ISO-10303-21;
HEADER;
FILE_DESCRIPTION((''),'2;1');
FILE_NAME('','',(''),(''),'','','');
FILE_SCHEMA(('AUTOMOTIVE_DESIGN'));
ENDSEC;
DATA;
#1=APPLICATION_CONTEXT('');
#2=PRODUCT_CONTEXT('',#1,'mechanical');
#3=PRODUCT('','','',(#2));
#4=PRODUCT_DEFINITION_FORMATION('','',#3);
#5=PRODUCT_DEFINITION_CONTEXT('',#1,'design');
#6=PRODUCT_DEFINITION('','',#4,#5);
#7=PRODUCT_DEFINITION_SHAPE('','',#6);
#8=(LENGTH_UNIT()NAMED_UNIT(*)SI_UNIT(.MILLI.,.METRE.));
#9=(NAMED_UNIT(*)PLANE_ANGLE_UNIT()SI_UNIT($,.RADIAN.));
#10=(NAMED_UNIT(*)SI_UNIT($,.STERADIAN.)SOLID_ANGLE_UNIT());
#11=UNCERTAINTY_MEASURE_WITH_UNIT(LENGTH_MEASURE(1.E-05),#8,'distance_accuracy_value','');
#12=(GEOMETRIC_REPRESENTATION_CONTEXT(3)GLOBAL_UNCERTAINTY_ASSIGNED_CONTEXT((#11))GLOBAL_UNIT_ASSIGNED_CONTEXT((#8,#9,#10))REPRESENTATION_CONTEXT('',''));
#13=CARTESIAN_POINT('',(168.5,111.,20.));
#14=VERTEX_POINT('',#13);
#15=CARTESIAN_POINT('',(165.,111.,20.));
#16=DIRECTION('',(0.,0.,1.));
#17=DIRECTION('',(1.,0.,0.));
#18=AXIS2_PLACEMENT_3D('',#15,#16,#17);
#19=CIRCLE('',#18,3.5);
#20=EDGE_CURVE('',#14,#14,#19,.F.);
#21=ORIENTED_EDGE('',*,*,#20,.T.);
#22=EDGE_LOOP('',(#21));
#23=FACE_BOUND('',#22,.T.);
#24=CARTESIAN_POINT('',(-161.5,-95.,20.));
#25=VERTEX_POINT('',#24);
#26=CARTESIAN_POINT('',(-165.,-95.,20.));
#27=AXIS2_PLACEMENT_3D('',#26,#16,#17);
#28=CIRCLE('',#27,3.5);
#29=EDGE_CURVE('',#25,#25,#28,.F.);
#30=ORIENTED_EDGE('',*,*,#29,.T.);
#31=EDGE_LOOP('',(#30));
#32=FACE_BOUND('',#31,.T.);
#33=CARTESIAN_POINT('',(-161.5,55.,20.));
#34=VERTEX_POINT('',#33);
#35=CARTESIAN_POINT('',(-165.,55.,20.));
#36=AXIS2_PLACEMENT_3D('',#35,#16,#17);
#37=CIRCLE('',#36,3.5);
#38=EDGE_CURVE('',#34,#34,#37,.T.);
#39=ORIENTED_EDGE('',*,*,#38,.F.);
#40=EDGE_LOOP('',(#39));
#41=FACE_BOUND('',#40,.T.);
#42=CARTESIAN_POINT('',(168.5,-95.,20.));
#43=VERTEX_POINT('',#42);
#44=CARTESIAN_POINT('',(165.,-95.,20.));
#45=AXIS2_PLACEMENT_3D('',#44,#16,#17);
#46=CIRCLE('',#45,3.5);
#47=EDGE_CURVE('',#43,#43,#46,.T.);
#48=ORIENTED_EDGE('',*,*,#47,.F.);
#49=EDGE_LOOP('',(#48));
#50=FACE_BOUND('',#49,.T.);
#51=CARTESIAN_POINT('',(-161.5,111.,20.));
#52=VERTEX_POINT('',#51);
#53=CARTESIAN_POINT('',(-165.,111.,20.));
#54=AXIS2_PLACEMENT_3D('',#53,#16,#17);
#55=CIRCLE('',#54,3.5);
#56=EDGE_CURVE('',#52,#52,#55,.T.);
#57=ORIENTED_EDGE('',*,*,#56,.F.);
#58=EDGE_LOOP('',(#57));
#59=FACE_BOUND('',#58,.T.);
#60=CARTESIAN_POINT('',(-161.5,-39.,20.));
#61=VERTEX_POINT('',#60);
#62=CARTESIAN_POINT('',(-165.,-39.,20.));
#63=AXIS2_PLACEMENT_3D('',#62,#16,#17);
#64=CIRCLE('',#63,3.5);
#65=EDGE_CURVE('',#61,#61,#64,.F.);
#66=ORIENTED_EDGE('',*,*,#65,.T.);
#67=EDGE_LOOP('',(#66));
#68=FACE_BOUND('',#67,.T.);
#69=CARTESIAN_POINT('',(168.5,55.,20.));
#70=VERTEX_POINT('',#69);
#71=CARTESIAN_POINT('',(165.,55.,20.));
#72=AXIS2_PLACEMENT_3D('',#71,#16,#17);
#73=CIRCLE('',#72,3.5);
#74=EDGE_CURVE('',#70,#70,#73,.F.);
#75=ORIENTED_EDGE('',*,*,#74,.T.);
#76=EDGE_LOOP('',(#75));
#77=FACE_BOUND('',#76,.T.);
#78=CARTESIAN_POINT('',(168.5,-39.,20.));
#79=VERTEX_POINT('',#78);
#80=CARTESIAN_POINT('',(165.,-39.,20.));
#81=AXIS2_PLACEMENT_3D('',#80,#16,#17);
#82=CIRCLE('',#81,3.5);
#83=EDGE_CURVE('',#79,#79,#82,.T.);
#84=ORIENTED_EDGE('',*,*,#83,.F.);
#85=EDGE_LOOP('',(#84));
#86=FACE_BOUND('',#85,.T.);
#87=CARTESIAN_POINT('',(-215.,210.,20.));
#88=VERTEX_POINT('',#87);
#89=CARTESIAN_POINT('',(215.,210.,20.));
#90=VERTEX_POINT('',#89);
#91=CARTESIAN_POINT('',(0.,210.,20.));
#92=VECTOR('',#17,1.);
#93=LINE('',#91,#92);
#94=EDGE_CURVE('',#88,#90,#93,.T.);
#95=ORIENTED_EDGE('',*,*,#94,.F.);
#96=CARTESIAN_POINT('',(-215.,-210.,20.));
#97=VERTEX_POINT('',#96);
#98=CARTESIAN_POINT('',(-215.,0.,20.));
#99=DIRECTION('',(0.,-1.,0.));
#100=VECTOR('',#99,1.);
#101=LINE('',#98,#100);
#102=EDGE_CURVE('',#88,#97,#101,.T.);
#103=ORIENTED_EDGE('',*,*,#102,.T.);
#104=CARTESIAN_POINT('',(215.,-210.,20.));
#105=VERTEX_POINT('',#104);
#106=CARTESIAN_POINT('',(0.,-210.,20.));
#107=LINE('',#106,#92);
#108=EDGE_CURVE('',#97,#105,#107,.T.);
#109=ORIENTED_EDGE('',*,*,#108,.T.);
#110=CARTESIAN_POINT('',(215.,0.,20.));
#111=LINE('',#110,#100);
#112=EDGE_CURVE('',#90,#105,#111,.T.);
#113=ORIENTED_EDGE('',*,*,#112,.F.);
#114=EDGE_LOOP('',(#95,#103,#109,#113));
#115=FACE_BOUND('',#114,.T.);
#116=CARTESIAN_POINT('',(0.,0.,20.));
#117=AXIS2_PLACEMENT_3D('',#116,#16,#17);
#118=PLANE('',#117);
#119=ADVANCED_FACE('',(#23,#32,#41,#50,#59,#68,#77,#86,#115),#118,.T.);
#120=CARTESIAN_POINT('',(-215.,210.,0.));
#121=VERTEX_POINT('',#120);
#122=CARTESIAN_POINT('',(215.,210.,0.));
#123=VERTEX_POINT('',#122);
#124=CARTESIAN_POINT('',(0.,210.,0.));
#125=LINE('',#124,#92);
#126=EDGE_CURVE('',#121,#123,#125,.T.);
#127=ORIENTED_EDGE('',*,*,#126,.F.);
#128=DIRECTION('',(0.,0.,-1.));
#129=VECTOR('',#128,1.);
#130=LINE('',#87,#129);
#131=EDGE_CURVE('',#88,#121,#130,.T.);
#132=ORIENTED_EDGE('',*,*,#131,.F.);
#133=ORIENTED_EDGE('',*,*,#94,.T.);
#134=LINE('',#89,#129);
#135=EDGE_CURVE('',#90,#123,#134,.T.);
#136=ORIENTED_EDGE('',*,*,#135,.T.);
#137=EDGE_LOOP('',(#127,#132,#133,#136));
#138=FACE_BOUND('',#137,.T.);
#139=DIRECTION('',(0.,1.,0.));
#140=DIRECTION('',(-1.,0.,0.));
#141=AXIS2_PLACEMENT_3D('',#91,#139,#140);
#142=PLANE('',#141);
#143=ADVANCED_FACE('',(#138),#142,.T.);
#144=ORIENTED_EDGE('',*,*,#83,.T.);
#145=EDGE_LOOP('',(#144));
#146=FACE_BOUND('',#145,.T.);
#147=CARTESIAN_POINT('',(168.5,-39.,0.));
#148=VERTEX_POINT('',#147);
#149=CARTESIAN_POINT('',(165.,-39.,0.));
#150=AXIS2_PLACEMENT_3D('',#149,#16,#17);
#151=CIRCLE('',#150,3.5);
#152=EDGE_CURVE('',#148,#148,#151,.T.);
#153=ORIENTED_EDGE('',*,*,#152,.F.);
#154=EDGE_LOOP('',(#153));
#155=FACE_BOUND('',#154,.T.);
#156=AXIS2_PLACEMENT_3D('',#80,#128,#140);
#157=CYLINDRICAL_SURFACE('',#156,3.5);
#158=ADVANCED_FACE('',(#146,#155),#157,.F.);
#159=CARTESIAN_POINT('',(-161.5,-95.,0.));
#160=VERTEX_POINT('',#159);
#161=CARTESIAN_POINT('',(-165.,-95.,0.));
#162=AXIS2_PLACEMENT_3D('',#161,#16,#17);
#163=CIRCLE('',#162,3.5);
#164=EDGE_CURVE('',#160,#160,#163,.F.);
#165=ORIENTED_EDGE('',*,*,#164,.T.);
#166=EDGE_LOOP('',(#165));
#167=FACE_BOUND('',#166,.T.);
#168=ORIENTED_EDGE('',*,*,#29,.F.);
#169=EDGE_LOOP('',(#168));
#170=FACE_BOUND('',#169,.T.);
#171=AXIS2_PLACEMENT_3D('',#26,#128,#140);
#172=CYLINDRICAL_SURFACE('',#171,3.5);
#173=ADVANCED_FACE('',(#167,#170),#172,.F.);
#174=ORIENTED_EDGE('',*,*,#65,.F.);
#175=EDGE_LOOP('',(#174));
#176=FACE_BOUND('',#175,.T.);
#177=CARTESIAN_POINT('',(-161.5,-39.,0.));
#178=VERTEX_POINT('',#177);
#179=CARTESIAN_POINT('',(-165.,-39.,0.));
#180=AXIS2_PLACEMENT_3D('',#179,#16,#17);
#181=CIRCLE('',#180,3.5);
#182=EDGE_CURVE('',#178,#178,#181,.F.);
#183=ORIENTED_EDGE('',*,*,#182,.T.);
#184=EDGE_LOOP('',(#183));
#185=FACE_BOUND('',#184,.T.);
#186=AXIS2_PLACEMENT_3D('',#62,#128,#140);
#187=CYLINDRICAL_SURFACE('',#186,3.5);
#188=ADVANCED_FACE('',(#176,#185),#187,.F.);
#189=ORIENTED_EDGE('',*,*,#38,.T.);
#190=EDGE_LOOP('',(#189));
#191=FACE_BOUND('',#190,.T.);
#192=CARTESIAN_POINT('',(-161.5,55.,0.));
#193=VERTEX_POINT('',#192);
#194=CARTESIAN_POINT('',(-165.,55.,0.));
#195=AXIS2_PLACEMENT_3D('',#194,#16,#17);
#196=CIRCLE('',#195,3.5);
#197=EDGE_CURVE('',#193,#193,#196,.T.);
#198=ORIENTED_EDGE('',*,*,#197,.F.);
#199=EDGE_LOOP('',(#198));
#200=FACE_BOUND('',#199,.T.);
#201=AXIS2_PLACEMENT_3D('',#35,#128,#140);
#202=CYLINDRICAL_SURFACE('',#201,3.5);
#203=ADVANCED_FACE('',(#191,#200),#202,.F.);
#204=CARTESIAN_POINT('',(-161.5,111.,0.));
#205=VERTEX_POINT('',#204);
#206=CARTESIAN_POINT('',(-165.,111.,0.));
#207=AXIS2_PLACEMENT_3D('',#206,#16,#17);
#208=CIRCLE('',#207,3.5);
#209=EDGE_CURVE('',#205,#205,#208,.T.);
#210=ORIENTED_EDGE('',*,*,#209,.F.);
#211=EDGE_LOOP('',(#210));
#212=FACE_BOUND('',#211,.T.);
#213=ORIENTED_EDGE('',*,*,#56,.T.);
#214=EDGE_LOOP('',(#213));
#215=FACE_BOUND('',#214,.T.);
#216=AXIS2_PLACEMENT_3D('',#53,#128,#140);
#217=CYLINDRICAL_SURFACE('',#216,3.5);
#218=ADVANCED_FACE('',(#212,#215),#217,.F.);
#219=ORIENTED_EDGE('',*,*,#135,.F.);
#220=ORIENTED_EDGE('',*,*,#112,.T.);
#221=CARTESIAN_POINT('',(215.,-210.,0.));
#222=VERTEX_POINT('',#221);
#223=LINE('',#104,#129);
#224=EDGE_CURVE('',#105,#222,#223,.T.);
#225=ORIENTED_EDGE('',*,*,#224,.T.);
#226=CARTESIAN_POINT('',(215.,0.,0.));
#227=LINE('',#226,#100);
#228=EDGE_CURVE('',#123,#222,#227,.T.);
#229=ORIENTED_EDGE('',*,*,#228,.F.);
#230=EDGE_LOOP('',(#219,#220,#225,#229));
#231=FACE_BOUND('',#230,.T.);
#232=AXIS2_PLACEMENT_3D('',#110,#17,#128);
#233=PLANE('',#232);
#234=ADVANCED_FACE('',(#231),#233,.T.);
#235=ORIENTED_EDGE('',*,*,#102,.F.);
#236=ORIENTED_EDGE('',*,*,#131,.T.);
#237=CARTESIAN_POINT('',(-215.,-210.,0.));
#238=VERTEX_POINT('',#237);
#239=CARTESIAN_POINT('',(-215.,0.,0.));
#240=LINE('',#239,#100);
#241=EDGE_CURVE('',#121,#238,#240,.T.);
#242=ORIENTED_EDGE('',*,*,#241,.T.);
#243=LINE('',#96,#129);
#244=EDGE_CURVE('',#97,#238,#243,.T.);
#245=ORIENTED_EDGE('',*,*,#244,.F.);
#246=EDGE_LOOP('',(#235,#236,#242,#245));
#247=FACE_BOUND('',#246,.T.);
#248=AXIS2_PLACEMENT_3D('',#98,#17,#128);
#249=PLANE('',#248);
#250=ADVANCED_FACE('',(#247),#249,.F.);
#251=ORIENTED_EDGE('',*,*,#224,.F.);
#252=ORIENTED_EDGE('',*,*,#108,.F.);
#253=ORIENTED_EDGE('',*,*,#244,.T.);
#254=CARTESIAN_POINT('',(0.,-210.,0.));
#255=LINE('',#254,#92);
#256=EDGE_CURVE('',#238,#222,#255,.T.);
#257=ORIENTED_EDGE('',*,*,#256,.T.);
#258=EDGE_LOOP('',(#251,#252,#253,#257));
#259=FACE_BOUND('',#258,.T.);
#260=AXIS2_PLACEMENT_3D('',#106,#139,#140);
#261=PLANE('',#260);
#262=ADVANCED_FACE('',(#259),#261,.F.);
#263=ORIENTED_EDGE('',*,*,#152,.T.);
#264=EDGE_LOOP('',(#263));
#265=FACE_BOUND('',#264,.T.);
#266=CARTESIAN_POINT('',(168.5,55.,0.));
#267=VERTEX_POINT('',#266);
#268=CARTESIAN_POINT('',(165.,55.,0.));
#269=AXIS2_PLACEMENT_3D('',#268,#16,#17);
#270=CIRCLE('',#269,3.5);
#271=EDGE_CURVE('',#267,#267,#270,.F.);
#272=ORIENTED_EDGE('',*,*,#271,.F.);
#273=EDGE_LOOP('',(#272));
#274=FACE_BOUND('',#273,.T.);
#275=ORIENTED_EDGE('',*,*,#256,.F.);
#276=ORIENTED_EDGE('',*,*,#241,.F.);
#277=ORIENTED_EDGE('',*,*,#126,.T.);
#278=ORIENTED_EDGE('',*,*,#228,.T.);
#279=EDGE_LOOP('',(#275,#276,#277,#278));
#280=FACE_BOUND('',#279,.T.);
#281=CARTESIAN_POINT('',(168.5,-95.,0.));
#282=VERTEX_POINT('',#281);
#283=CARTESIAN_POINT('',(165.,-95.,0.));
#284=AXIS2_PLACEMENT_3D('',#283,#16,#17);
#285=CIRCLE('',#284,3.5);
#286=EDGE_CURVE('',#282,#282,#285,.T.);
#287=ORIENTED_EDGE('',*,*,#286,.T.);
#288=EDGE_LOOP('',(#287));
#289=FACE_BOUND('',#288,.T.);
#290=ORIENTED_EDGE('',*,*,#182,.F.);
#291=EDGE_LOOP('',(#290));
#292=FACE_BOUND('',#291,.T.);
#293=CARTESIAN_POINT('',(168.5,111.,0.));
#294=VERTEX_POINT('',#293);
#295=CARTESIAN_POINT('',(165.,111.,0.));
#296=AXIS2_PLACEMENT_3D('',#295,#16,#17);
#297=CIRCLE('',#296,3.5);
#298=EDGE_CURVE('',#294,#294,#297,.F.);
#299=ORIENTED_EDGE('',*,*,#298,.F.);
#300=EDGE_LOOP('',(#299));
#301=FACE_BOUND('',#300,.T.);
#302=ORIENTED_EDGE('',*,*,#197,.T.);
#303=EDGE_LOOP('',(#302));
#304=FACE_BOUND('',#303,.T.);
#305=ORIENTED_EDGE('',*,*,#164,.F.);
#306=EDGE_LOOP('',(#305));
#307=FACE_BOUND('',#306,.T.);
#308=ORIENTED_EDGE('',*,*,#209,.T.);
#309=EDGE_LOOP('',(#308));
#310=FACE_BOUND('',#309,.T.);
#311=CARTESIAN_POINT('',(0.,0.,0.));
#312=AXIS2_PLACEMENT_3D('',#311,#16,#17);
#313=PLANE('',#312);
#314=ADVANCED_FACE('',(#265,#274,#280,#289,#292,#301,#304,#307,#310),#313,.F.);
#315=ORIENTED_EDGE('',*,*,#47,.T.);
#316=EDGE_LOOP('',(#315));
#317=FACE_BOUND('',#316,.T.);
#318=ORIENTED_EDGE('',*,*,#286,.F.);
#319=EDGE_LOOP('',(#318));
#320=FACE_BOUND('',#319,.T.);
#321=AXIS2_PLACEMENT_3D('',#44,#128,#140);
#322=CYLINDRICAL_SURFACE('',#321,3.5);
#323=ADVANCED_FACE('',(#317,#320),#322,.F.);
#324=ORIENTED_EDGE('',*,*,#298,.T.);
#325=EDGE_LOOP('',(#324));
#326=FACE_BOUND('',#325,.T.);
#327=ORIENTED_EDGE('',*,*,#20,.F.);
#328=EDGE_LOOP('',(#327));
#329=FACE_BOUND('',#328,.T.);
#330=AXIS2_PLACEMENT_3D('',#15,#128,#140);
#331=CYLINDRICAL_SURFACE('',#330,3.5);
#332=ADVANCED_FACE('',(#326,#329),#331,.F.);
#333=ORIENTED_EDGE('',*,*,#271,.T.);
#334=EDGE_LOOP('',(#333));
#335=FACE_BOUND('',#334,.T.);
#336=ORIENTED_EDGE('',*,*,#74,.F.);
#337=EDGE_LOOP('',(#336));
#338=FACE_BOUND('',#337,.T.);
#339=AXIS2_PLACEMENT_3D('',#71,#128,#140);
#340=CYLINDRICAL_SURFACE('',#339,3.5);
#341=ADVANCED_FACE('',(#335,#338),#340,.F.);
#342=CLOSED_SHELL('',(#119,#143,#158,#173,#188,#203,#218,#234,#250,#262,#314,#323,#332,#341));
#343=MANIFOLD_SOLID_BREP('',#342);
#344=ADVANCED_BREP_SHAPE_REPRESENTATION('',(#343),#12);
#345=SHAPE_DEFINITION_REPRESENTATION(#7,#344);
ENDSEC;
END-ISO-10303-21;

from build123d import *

# Parameters (mm, degrees)
SKETCH_1_W      = 430
SKETCH_1_H      = 420
SKETCH_1_R      = 3.5
EXTRUDE_1_DEPTH = 20


with BuildPart() as part:
    # Эскиз1 → Бобышка-Вытянуть1 (new body)
    with BuildSketch(Plane.XY):
        Rectangle(SKETCH_1_W, SKETCH_1_H)
        with Locations((-165, 111)):
            Circle(SKETCH_1_R, mode=Mode.SUBTRACT)
        with Locations((-165, 55)):
            Circle(SKETCH_1_R, mode=Mode.SUBTRACT)
        with Locations((-165, -39)):
            Circle(SKETCH_1_R, mode=Mode.SUBTRACT)
        with Locations((-165, -95)):
            Circle(SKETCH_1_R, mode=Mode.SUBTRACT)
        with Locations((165, -95)):
            Circle(SKETCH_1_R, mode=Mode.SUBTRACT)
        with Locations((165, -39)):
            Circle(SKETCH_1_R, mode=Mode.SUBTRACT)
        with Locations((165, 55)):
            Circle(SKETCH_1_R, mode=Mode.SUBTRACT)
        with Locations((165, 111)):
            Circle(SKETCH_1_R, mode=Mode.SUBTRACT)
    extrude(amount=EXTRUDE_1_DEPTH)


solid = part.part
